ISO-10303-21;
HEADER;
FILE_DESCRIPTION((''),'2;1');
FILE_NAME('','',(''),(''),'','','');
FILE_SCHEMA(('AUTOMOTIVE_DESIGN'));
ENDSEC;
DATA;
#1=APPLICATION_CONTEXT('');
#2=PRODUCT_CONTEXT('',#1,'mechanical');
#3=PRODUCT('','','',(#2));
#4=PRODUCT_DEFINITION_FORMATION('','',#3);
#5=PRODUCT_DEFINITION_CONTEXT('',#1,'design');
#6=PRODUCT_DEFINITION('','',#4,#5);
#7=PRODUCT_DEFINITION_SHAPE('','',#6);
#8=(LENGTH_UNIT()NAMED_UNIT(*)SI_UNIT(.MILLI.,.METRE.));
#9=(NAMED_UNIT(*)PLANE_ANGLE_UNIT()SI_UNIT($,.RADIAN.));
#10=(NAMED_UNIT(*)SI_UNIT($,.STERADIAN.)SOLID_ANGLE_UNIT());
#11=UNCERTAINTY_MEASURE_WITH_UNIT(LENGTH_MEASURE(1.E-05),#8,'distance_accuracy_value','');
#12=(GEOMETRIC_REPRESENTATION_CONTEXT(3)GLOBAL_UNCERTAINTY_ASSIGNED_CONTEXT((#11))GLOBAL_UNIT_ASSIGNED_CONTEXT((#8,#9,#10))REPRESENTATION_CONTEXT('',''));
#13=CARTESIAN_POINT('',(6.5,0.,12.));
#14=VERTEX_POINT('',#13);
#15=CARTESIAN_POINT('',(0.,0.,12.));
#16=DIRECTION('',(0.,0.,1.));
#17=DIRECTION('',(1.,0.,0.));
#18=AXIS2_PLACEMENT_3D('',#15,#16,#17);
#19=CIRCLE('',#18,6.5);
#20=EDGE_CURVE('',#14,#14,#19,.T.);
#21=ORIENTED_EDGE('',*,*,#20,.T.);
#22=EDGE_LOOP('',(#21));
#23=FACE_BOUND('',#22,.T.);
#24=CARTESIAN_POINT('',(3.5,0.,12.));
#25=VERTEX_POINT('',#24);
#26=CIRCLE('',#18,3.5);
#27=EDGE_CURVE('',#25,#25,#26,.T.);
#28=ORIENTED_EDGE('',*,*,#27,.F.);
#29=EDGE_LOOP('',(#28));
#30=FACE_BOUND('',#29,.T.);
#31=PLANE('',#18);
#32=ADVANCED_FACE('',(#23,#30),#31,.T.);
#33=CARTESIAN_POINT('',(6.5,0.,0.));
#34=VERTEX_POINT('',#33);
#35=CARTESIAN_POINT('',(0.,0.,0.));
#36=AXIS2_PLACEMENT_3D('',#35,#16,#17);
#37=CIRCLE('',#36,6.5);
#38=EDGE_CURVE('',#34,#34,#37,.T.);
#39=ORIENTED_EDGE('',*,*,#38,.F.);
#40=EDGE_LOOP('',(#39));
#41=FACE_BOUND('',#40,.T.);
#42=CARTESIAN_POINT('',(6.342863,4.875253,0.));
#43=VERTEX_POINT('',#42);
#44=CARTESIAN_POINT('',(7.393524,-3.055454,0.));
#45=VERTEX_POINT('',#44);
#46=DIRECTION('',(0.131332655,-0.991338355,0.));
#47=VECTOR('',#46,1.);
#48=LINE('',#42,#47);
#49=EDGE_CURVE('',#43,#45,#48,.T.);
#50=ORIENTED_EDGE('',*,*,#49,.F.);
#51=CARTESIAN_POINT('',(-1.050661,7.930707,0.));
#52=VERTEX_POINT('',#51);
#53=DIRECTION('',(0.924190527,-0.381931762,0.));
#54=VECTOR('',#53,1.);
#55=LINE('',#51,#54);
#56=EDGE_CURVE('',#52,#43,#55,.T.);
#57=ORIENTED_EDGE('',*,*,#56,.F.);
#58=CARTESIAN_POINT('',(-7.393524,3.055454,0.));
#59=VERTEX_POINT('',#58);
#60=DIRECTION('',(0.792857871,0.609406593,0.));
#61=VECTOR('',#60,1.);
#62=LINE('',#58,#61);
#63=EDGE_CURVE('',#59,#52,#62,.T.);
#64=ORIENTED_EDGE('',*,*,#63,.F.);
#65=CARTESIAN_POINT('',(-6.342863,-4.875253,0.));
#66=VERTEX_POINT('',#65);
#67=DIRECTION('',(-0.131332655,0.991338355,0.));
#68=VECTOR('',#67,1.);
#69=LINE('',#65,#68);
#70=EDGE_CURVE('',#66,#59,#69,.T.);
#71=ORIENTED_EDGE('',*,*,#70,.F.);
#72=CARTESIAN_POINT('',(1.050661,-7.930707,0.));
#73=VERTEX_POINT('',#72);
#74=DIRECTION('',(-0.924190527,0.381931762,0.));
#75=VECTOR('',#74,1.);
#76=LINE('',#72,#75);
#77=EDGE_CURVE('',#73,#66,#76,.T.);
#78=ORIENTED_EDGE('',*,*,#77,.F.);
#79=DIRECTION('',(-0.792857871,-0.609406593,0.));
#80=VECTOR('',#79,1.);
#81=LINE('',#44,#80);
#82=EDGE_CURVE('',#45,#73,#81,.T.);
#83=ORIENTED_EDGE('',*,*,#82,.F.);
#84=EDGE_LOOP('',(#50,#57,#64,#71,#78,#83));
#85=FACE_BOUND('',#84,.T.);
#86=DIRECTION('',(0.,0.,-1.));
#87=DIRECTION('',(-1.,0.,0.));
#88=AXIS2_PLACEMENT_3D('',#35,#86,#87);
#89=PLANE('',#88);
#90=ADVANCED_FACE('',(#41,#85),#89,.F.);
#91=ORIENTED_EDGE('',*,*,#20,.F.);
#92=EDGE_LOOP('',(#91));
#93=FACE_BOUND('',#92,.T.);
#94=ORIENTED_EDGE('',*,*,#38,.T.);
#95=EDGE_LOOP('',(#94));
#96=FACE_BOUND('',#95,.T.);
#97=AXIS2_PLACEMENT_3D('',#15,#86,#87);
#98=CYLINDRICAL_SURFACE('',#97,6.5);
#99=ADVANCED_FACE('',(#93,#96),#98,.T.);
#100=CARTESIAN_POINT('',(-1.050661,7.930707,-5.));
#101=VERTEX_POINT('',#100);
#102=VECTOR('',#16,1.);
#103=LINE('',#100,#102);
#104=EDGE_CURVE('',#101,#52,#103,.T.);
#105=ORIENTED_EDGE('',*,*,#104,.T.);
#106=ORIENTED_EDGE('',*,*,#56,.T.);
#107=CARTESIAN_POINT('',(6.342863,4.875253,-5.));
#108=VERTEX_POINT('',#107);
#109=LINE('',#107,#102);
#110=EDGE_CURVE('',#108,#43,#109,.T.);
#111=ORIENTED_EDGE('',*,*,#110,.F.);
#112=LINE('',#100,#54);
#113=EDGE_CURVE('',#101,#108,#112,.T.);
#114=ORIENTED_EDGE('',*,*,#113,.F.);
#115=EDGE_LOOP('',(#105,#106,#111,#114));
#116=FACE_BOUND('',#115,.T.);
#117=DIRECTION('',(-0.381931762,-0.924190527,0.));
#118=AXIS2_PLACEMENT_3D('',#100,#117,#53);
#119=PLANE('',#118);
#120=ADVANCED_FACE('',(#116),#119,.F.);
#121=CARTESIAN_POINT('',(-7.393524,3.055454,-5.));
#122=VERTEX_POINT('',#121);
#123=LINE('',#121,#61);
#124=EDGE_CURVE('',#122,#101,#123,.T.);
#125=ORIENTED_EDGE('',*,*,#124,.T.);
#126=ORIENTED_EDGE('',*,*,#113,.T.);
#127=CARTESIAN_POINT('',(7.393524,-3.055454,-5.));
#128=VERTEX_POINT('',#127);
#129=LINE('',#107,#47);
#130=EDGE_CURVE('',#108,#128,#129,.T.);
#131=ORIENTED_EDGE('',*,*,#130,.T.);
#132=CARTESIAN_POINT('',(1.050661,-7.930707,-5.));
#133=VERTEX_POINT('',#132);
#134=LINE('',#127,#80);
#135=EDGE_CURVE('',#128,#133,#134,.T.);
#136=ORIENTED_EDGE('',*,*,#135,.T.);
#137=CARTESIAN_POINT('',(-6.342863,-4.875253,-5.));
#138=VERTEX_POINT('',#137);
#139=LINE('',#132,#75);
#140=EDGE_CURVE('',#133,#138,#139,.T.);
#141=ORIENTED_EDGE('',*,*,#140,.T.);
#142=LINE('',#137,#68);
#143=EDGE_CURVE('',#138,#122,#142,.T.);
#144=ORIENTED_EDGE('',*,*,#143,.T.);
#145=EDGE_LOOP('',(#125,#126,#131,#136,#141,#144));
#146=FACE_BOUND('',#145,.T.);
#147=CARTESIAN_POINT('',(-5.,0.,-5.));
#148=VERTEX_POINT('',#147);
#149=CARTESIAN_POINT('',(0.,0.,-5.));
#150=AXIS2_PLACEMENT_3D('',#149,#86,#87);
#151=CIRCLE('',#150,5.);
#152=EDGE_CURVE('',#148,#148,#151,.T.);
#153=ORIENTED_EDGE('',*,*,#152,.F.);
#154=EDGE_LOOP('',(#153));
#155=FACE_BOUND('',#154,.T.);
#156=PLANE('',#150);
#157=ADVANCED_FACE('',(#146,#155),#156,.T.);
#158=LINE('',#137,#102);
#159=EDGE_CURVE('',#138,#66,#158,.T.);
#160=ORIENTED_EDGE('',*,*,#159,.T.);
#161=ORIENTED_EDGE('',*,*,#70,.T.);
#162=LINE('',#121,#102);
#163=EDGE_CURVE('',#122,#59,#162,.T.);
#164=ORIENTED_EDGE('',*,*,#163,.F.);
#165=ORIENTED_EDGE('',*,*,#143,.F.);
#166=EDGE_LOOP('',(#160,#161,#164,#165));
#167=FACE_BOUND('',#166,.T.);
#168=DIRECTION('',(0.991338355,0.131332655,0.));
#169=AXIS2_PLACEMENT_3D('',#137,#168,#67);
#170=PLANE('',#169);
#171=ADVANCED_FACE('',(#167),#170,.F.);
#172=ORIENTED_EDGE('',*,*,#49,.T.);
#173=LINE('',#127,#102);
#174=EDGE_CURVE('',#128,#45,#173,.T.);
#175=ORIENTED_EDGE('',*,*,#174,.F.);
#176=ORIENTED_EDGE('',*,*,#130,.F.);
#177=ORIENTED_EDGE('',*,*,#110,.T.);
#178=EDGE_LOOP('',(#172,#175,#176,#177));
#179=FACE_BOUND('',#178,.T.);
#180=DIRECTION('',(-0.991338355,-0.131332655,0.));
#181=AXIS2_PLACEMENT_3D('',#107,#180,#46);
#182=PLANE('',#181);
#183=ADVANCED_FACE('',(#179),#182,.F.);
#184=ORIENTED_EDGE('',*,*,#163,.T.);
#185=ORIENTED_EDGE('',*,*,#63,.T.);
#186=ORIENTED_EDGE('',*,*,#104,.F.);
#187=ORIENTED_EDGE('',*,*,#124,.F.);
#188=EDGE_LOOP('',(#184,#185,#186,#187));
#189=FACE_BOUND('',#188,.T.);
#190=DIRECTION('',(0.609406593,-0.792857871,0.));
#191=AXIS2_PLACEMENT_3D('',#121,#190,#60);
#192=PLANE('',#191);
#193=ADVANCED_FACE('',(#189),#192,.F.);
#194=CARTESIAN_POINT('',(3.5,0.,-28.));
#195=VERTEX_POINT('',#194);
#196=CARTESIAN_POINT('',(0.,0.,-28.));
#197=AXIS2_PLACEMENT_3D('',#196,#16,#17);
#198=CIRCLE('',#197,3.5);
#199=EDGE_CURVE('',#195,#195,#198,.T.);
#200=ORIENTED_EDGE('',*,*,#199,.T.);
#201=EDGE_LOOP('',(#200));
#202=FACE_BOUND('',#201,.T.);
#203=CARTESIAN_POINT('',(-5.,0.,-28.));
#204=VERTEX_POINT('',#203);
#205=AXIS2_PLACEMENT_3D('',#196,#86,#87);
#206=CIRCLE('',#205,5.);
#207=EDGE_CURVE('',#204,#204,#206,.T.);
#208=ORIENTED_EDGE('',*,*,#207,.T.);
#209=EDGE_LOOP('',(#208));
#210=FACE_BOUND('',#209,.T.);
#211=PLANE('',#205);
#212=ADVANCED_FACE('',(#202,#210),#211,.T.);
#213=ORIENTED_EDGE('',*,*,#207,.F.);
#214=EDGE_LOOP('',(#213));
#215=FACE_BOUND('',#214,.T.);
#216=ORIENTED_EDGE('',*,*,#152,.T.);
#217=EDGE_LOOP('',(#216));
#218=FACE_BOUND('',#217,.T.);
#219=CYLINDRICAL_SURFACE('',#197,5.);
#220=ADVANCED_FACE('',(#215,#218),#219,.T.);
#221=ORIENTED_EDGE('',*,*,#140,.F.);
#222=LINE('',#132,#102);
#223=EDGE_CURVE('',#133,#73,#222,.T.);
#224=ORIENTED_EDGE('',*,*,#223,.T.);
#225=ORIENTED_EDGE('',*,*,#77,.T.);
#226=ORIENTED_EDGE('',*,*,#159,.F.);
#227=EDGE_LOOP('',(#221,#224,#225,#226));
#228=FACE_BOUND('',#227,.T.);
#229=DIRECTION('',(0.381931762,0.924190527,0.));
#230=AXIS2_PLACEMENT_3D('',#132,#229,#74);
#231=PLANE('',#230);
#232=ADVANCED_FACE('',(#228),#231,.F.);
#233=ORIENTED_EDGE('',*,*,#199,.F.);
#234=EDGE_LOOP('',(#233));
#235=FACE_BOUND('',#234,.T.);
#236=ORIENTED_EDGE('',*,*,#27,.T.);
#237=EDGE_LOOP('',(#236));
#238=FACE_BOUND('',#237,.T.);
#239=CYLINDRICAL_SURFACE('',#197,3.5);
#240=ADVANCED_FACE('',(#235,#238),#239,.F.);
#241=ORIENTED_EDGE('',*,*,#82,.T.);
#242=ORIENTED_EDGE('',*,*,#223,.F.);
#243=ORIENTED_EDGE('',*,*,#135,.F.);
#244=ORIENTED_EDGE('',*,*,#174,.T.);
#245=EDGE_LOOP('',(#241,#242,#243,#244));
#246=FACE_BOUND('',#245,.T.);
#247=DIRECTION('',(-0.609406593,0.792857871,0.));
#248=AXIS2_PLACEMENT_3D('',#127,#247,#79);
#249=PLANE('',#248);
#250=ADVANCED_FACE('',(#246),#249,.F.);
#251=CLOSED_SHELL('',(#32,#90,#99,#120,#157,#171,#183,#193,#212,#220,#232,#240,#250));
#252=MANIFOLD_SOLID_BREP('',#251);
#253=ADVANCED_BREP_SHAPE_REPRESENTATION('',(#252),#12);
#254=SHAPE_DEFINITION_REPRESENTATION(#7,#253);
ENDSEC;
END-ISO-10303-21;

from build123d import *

# Parameters (mm, degrees)
SKETCH1_R           = 6.5
BOSS_EXTRUDE1_DEPTH = 12
BOSS_EXTRUDE2_DEPTH = 5
BOSS_EXTRUDE3_DEPTH = 23
SKETCH4_R           = 3.5
CUT_EXTRUDE1_DEPTH  = 42.443459209


with BuildPart() as part:
    # Sketch1 → Boss-Extrude1 (new body)
    with BuildSketch(Plane.XY):
        Circle(SKETCH1_R)
    extrude(amount=BOSS_EXTRUDE1_DEPTH)

    # Sketch2 → Boss-Extrude2 (add)
    with BuildSketch(Plane(origin=(0, 0, 0), x_dir=(-1, 0, 0), z_dir=(0, 0, -1))):
        Polygon((-7.393524213, -3.055454092), (-1.050661243, -7.930706838), (6.342862971, -4.875252746), (7.393524213, 3.055454092), (1.050661243, 7.930706838), (-6.342862971, 4.875252746), align=None)
    extrude(amount=BOSS_EXTRUDE2_DEPTH)

    # Sketch3 → Boss-Extrude3 (add)
    with BuildSketch(Plane(origin=(0, 0, -5), x_dir=(-1, 0, 0), z_dir=(0, 0, -1))):
        with BuildLine():
            ThreePointArc((4.620952633, 1.909658808), (-1.909658808, 4.620952633), (-4.620952633, -1.909658808))
            Line((-4.620952633, -1.909658808), (4.620952633, 1.909658808))
        make_face()
        with BuildLine():
            Line((4.620952633, 1.909658808), (-4.620952633, -1.909658808))
            ThreePointArc((-4.620952633, -1.909658808), (0.973456941, -4.904322745), (5, 0))
            ThreePointArc((5, 0), (4.904322745, 0.973456941), (4.620952633, 1.909658808))
        make_face()
    extrude(amount=BOSS_EXTRUDE3_DEPTH)

    # Sketch4 → Cut-Extrude1 (cut, through all)
    with BuildSketch(Plane.XY.offset(12)):
        Circle(SKETCH4_R)
    extrude(amount=-CUT_EXTRUDE1_DEPTH, mode=Mode.SUBTRACT)


solid = part.part
